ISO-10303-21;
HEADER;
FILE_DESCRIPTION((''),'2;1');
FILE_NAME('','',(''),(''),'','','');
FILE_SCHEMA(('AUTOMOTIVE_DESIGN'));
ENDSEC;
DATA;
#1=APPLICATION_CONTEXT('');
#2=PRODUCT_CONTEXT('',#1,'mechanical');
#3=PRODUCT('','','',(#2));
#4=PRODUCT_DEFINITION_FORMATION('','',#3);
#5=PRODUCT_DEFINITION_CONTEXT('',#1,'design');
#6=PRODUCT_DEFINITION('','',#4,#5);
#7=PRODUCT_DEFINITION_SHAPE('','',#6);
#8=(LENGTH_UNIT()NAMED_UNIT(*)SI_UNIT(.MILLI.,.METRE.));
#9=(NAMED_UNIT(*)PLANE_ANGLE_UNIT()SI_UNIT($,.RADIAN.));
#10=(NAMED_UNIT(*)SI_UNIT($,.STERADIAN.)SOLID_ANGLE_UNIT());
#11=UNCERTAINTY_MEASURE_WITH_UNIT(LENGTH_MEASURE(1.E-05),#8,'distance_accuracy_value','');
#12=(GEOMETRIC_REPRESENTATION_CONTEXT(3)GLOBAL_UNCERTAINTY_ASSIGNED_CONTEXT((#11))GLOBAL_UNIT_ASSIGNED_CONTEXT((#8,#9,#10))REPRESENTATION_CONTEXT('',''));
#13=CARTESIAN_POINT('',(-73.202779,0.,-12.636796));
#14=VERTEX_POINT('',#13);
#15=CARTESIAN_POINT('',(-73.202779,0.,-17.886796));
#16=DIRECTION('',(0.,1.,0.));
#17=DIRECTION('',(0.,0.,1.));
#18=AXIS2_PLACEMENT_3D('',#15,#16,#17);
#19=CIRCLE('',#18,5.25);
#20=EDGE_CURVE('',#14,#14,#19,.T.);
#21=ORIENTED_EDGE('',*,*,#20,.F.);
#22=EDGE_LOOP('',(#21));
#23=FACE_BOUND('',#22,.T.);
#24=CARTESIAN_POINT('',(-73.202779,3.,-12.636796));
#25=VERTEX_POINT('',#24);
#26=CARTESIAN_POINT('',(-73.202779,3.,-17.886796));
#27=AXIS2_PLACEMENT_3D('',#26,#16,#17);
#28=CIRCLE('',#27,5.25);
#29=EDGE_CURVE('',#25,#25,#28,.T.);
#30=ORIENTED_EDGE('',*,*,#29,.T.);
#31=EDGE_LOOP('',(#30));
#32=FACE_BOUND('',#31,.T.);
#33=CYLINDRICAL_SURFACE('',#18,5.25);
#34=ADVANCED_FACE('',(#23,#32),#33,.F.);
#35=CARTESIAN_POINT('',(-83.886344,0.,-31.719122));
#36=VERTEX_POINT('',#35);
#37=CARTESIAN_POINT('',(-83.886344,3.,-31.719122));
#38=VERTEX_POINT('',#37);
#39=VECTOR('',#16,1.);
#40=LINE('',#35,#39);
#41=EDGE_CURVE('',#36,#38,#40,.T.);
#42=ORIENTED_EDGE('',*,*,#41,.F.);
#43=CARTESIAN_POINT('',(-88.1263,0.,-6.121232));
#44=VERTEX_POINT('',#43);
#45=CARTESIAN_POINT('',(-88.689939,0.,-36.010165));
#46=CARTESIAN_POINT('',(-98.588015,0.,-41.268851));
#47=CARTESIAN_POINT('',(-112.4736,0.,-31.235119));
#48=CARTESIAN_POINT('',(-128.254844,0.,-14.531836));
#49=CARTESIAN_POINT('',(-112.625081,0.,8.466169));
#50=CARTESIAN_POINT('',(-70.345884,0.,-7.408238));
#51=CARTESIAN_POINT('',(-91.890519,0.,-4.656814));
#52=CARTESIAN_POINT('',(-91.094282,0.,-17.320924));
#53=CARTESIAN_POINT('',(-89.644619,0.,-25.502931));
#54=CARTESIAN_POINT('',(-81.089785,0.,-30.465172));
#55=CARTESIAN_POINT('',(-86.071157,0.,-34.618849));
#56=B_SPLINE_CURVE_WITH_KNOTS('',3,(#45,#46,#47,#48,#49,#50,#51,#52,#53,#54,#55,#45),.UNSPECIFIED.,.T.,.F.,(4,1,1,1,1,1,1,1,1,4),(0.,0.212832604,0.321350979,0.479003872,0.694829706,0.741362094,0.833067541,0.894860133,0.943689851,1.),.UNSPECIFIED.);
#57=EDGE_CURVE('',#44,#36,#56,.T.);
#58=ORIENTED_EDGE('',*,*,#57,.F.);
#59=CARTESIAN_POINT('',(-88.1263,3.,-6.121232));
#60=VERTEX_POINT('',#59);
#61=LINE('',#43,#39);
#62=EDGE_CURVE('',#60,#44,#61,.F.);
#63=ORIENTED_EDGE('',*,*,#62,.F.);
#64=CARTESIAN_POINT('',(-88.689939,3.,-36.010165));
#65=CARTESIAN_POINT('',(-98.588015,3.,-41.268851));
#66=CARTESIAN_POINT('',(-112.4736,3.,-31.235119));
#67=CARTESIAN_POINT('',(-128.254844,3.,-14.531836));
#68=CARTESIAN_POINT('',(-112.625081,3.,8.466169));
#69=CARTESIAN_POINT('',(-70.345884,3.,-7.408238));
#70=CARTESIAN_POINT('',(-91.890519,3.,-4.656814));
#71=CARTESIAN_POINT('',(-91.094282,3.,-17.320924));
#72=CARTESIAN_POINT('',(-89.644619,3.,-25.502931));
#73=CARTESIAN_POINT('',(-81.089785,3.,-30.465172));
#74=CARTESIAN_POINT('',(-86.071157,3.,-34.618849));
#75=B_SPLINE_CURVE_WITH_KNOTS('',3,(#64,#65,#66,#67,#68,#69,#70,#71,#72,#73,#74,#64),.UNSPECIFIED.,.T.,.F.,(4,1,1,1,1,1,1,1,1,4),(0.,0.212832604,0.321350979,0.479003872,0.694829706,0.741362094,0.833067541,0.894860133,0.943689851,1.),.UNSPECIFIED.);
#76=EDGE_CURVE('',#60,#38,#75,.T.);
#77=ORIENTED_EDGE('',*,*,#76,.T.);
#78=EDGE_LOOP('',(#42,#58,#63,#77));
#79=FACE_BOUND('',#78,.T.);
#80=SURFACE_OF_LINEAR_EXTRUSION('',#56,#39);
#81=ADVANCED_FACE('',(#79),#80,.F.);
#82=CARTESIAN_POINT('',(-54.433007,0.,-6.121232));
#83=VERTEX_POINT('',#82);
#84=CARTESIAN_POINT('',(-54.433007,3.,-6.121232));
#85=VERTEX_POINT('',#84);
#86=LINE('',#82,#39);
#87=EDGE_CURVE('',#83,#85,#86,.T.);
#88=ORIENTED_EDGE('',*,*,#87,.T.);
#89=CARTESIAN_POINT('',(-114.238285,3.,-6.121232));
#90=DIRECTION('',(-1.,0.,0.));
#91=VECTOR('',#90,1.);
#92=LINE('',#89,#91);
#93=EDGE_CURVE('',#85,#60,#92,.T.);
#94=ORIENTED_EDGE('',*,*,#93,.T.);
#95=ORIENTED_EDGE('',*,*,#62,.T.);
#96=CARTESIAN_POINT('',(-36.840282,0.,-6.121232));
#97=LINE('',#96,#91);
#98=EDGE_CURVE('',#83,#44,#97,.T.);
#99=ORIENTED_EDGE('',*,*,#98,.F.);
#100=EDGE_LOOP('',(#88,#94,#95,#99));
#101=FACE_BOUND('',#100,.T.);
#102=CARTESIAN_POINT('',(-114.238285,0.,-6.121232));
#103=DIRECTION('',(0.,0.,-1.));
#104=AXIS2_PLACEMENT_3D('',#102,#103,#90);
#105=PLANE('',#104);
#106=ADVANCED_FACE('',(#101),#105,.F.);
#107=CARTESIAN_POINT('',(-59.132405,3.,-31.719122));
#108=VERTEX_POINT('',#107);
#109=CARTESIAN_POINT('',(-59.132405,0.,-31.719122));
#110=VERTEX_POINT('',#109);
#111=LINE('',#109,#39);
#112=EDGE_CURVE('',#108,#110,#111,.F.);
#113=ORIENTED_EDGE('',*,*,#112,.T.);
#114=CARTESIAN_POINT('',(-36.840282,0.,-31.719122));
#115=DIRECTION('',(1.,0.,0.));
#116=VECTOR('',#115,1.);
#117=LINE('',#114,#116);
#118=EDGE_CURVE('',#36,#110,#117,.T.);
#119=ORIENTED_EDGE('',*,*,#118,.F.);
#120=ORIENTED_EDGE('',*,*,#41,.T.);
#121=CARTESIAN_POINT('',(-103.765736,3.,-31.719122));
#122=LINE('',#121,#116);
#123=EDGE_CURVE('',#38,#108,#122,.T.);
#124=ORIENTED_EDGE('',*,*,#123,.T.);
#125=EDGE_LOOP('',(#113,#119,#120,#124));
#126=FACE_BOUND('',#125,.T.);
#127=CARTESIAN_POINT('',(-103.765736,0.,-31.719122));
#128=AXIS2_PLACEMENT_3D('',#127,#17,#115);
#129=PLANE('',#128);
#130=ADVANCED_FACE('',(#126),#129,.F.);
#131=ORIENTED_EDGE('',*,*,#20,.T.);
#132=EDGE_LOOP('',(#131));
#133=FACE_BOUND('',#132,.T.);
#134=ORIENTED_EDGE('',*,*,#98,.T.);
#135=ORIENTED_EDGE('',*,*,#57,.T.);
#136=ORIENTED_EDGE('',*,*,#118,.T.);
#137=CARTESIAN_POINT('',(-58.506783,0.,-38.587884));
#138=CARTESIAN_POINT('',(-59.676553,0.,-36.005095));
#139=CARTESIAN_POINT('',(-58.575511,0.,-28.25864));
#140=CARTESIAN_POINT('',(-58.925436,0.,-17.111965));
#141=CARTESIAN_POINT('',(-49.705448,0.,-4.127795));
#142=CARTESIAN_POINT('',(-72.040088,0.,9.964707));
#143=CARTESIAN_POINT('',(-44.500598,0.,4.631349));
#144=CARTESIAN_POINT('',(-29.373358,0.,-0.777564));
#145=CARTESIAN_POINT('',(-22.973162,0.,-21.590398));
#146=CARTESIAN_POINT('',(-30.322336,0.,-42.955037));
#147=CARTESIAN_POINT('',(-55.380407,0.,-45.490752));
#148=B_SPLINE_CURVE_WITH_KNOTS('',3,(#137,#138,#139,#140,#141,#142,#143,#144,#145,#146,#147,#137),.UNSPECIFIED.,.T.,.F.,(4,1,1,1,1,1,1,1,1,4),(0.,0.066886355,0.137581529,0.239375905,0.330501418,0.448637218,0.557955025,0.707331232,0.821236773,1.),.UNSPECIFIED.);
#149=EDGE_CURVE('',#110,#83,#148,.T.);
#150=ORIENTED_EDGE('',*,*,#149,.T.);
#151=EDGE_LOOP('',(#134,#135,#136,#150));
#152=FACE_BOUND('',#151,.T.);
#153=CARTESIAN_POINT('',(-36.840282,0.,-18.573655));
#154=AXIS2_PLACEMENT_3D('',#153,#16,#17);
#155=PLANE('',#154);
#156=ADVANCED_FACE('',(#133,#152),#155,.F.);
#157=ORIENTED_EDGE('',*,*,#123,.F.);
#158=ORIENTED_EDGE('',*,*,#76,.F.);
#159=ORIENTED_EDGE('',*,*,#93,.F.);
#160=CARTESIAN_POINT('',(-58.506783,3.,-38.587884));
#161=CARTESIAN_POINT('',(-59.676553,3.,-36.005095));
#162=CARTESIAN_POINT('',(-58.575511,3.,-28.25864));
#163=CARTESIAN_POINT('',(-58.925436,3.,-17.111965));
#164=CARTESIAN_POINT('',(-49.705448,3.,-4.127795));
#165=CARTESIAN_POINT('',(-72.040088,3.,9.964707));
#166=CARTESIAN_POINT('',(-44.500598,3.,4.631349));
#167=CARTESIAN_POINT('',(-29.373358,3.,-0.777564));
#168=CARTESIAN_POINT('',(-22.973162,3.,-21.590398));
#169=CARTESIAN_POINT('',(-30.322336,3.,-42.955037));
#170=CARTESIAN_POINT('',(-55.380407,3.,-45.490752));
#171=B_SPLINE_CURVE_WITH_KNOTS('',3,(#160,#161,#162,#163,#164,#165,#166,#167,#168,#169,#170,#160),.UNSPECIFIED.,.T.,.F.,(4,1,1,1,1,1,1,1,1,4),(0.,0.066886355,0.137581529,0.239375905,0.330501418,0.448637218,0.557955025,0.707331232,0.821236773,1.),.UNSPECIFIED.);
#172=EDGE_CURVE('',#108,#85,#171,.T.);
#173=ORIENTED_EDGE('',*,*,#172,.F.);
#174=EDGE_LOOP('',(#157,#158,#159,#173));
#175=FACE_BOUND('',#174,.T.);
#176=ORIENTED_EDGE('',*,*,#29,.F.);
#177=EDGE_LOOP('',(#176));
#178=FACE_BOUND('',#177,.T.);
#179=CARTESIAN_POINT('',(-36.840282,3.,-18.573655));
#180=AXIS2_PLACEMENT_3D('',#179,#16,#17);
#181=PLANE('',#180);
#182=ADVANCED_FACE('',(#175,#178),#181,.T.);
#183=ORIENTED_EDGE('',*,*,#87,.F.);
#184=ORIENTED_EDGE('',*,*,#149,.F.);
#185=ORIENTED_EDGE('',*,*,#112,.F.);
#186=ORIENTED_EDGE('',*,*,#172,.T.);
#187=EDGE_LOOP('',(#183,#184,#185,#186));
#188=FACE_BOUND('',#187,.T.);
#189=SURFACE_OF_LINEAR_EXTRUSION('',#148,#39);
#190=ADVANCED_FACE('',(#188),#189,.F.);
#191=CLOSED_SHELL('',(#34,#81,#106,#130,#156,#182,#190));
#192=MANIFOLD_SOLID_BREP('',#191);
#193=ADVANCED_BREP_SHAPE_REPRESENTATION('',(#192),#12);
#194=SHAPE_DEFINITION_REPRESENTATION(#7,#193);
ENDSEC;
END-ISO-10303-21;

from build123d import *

# Parameters (mm, degrees)
DODANIE_WYCI_GNI_CIE1_DEPTH = 3
SZKIC2_R                    = 5.25
WYTNIJ_WYCI_GNI_CIE1_DEPTH  = 123.478678077
SZKIC3_W                    = 83.042343976
SZKIC3_H                    = 22.425434336
SZKIC3_W_2                  = 92.40199983
SZKIC3_H_2                  = 23.262955651
WYTNIJ_WYCI_GNI_CIE2_DEPTH  = 123.478678077
WYTNIJ_WYCI_GNI_CIE3_DEPTH  = 114.371150202


with BuildPart() as part:
    # Szkic1 → Dodanie-wyciągnięcie1 (new body)
    with BuildSketch(Plane(origin=(0, 0, 0), x_dir=(1, 0, 0), z_dir=(0, 1, 0))):
        with BuildLine():
            Line((-97.678150888, 49.4149367), (-32.744802343, 49.4149367))
            add(Edge.make_bspline(
                [(-32.744802343, 49.4149367), (-29.306315805, 38.482449345), (-35.086079974, 19.443677378), (-46.815707035, -0.452000217), (-49.516641207, -11.467220133), (-49.715376383, -12.36868324)],
                knots=[0.154589074, 0.154589074, 0.154589074, 0.154589074, 0.39168588, 0.61157723, 0.631041789, 0.631041789, 0.631041789, 0.631041789], degree=3))
            Line((-49.715376383, -12.36868324), (-112.027633116, -12.36868324))
            add(Edge.make_bspline(
                [(-97.678150888, 49.4149367), (-95.996907517, 42.817556452), (-98.213660437, 28.328196325), (-109.215623339, 9.191600555), (-111.919105273, -6.718294499), (-112.027633116, -12.36868324)],
                knots=[0.127638687, 0.127638687, 0.127638687, 0.127638687, 0.284871496, 0.500245721, 0.624008673, 0.624008673, 0.624008673, 0.624008673], degree=3))
        make_face()
    extrude(amount=DODANIE_WYCI_GNI_CIE1_DEPTH)

    # Szkic2 → Wytnij-wyciągnięcie1 (cut, through all)
    with BuildSketch(Plane(origin=(0, 3, 0), x_dir=(1, 0, 0), z_dir=(0, 1, 0))):
        with Locations(Location((-73.202778656, 17.886796147, 0), (0, 0, 270))):
            Circle(SZKIC2_R)
    extrude(amount=-WYTNIJ_WYCI_GNI_CIE1_DEPTH, mode=Mode.SUBTRACT)

    # Szkic3 → Wytnij-wyciągnięcie2 (cut, through all)
    with BuildSketch(Plane(origin=(0, 3, 0), x_dir=(1, 0, 0), z_dir=(0, 1, 0))):
        with Locations((-62.244564273, 42.931839176)):
            Rectangle(SZKIC3_W, SZKIC3_H)
        with Locations((-68.037284909, -5.510245727)):
            Rectangle(SZKIC3_W_2, SZKIC3_H_2)
    extrude(amount=-WYTNIJ_WYCI_GNI_CIE2_DEPTH, mode=Mode.SUBTRACT)

    # Szkic4 → Wytnij-wyciągnięcie3 (cut, through all)
    with BuildSketch(Plane(origin=(0, 3, 0), x_dir=(1, 0, 0), z_dir=(0, 1, 0))):
        with BuildLine():
            add(Edge.make_bspline(
                [(-88.689938792, 36.010164682), (-86.071156922, 34.618848613), (-81.089784858, 30.465171833), (-89.644619421, 25.502930729), (-91.094282475, 17.320923853), (-91.890518911, 4.656814481), (-70.345884336, 7.408238477), (-112.625080918, -8.466168712), (-128.254843762, 14.531836441), (-112.47359997, 31.235119166), (-98.588015331, 41.268851209), (-88.689938792, 36.010164682)],
                knots=[0, 0, 0, 0, 0.056310149, 0.105139867, 0.166932459, 0.258637906, 0.305170294, 0.520996128, 0.678649021, 0.787167396, 1, 1, 1, 1], degree=3))
        make_face()
        with BuildLine():
            add(Edge.make_bspline(
                [(-58.506782582, 38.587883821), (-59.676552515, 36.005094764), (-58.575510558, 28.258639934), (-58.925436397, 17.111965112), (-49.705448185, 4.127794868), (-72.040088465, -9.964706752), (-44.500598429, -4.631349285), (-29.373358451, 0.777563949), (-22.973161664, 21.590397636), (-30.322336493, 42.955036515), (-55.380407315, 45.490752157), (-58.506782582, 38.587883821)],
                knots=[0, 0, 0, 0, 0.066886355, 0.137581529, 0.239375905, 0.330501418, 0.448637218, 0.557955025, 0.707331232, 0.821236773, 1, 1, 1, 1], degree=3))
        make_face()
    extrude(amount=-WYTNIJ_WYCI_GNI_CIE3_DEPTH, mode=Mode.SUBTRACT)


solid = part.part
